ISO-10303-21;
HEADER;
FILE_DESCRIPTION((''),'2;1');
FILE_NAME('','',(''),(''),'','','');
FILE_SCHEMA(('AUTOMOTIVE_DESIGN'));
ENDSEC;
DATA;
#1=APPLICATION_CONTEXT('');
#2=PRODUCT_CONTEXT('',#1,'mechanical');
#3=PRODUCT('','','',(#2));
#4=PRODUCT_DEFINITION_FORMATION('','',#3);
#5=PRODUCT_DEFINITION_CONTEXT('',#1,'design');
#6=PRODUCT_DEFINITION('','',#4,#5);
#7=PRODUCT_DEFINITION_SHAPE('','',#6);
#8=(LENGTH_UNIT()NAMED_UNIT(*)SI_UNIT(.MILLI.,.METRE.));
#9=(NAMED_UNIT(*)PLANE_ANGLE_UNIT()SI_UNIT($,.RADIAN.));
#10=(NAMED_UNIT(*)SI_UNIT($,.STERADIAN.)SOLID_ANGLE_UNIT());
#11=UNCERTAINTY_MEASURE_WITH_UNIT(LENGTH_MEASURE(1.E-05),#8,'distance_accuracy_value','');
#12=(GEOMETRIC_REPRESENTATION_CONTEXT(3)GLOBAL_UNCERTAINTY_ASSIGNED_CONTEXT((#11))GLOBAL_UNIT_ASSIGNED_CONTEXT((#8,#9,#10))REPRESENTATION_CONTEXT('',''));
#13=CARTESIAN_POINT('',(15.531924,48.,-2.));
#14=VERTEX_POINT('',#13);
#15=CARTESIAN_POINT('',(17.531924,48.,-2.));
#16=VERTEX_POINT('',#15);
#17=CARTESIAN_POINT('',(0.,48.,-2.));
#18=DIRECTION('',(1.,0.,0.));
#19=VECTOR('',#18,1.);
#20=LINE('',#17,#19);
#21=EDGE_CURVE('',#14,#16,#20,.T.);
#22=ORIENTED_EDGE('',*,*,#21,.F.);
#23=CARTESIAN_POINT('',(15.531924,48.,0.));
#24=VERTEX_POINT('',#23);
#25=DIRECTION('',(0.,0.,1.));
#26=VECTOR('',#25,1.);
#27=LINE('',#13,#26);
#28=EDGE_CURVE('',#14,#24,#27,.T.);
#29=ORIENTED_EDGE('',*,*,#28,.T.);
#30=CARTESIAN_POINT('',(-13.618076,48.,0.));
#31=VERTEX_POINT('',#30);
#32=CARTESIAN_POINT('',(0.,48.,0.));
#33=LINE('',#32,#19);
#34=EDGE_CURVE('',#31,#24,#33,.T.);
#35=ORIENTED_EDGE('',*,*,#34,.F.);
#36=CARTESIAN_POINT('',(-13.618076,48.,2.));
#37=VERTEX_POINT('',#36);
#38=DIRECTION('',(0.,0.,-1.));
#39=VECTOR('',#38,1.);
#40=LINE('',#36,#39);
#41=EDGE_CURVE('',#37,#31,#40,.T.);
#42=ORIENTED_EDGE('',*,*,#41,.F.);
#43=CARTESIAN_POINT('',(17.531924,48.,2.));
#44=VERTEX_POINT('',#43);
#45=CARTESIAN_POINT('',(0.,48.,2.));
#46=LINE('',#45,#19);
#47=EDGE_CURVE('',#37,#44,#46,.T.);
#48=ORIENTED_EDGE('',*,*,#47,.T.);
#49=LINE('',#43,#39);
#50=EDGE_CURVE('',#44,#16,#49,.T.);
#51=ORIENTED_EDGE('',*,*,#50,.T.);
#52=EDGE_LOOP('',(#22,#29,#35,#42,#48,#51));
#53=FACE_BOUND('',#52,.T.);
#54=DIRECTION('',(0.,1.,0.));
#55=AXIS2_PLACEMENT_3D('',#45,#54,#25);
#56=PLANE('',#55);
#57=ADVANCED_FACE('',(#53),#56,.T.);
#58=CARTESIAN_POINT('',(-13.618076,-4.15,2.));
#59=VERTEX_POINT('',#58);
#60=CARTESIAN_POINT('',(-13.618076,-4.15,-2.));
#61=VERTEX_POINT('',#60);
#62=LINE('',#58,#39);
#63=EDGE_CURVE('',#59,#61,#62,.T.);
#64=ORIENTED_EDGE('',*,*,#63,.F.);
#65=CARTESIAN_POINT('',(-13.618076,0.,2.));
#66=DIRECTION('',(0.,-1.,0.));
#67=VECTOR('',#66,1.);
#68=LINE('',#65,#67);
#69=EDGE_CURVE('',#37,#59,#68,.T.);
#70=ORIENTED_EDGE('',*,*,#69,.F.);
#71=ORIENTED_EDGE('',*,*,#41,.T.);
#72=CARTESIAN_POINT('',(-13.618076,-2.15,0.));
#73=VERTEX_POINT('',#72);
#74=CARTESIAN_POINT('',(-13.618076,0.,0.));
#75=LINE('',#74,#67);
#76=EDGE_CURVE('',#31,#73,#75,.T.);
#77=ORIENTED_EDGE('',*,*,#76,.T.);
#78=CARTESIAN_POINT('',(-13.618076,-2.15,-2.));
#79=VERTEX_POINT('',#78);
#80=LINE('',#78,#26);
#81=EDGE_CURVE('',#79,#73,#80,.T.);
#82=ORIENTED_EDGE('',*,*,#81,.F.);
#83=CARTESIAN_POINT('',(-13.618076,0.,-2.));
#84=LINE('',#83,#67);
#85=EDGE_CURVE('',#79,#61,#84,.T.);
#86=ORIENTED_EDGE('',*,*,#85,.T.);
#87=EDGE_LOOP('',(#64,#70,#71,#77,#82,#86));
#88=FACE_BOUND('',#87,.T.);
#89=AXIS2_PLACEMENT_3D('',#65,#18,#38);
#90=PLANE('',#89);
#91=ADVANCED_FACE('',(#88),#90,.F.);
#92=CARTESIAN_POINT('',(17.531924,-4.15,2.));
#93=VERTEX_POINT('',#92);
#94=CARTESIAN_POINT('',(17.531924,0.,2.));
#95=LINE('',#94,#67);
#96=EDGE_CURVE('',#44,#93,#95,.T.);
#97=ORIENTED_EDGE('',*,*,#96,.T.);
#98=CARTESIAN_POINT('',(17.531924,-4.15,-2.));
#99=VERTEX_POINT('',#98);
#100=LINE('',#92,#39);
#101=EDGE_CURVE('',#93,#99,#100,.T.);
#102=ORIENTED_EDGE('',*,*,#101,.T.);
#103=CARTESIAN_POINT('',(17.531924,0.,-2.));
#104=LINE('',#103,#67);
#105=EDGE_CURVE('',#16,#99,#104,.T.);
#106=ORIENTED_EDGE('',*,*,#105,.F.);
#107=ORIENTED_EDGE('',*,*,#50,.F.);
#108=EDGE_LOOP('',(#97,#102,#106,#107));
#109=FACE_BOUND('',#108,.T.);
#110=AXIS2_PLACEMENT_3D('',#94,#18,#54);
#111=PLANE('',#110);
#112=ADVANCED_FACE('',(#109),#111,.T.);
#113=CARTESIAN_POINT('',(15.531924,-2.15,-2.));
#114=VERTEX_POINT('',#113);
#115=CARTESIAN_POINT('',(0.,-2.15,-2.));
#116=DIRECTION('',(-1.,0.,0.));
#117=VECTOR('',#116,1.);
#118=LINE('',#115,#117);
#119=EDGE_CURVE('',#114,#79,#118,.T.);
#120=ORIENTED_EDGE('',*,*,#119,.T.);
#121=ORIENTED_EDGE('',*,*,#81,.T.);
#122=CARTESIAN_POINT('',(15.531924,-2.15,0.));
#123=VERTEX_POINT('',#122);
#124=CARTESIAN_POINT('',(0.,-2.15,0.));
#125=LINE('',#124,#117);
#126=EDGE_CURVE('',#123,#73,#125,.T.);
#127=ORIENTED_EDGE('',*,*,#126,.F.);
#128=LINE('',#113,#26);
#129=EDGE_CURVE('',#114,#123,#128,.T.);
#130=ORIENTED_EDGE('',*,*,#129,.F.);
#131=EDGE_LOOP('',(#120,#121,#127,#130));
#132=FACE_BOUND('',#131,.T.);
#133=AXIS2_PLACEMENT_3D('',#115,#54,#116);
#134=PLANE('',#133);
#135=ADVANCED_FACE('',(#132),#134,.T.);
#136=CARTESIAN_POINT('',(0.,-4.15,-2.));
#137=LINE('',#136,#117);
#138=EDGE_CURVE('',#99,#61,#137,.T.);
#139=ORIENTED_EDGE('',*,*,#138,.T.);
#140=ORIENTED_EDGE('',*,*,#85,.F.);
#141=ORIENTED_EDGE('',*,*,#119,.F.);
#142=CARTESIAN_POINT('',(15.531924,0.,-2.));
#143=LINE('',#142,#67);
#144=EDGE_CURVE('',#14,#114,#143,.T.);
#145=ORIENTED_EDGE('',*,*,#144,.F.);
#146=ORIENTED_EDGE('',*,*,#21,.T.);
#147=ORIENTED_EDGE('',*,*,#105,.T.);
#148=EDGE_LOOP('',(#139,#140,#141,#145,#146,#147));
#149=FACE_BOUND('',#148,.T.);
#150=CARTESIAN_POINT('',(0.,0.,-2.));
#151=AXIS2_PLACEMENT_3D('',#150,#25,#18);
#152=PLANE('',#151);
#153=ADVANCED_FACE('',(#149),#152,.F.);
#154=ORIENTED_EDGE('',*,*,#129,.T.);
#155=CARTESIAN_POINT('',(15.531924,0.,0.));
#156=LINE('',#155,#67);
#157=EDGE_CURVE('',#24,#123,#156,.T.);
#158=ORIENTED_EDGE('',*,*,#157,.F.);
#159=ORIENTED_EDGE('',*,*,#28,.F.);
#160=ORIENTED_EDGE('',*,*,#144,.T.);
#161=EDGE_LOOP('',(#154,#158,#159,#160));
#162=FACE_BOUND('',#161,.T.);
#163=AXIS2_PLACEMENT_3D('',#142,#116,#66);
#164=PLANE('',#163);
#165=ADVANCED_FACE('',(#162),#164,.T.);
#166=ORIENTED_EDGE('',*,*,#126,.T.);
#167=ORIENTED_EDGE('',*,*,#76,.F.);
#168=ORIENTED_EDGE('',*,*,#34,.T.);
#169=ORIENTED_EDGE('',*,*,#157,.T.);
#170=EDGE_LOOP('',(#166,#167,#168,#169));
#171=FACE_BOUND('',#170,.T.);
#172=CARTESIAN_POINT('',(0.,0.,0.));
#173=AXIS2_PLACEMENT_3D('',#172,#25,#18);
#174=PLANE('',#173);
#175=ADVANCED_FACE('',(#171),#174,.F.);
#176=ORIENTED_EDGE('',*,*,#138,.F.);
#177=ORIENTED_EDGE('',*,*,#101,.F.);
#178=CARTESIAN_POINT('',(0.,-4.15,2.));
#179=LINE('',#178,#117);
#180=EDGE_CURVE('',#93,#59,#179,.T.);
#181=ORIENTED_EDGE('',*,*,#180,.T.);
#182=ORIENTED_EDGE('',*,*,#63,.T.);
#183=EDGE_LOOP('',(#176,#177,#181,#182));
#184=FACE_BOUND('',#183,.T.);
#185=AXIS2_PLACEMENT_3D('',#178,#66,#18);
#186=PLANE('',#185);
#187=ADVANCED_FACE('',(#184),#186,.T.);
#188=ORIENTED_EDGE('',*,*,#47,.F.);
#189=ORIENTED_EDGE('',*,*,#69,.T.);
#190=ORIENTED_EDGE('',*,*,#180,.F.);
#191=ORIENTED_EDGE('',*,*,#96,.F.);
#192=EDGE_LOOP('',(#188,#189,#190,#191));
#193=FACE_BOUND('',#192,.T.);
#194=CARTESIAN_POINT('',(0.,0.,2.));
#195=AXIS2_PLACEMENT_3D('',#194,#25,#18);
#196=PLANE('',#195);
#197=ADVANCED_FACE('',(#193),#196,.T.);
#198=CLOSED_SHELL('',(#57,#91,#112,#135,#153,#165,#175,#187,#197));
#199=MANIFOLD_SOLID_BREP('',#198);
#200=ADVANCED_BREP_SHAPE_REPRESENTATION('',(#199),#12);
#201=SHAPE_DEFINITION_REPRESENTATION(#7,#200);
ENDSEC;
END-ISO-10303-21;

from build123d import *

# Parameters (mm, degrees)
SKETCH2_W           = 31.15
SKETCH2_H           = 52.15
BOSS_EXTRUDE1_DEPTH = 2
BOSS_EXTRUDE2_DEPTH = 2


with BuildPart() as part:
    # Sketch2 → Boss-Extrude1 (new body)
    with BuildSketch(Plane.XY):
        with Locations((1.956924198, 21.925)):
            Rectangle(SKETCH2_W, SKETCH2_H)
    extrude(amount=BOSS_EXTRUDE1_DEPTH)

    # Sketch2<4> → Boss-Extrude2 (add)
    with BuildSketch(Plane.XY):
        Polygon((17.531924198, 48), (15.531924198, 48), (15.531924198, -2.15), (-13.618075802, -2.15), (-13.618075802, -4.15), (17.531924198, -4.15), align=None)
    extrude(amount=-BOSS_EXTRUDE2_DEPTH)


solid = part.part
